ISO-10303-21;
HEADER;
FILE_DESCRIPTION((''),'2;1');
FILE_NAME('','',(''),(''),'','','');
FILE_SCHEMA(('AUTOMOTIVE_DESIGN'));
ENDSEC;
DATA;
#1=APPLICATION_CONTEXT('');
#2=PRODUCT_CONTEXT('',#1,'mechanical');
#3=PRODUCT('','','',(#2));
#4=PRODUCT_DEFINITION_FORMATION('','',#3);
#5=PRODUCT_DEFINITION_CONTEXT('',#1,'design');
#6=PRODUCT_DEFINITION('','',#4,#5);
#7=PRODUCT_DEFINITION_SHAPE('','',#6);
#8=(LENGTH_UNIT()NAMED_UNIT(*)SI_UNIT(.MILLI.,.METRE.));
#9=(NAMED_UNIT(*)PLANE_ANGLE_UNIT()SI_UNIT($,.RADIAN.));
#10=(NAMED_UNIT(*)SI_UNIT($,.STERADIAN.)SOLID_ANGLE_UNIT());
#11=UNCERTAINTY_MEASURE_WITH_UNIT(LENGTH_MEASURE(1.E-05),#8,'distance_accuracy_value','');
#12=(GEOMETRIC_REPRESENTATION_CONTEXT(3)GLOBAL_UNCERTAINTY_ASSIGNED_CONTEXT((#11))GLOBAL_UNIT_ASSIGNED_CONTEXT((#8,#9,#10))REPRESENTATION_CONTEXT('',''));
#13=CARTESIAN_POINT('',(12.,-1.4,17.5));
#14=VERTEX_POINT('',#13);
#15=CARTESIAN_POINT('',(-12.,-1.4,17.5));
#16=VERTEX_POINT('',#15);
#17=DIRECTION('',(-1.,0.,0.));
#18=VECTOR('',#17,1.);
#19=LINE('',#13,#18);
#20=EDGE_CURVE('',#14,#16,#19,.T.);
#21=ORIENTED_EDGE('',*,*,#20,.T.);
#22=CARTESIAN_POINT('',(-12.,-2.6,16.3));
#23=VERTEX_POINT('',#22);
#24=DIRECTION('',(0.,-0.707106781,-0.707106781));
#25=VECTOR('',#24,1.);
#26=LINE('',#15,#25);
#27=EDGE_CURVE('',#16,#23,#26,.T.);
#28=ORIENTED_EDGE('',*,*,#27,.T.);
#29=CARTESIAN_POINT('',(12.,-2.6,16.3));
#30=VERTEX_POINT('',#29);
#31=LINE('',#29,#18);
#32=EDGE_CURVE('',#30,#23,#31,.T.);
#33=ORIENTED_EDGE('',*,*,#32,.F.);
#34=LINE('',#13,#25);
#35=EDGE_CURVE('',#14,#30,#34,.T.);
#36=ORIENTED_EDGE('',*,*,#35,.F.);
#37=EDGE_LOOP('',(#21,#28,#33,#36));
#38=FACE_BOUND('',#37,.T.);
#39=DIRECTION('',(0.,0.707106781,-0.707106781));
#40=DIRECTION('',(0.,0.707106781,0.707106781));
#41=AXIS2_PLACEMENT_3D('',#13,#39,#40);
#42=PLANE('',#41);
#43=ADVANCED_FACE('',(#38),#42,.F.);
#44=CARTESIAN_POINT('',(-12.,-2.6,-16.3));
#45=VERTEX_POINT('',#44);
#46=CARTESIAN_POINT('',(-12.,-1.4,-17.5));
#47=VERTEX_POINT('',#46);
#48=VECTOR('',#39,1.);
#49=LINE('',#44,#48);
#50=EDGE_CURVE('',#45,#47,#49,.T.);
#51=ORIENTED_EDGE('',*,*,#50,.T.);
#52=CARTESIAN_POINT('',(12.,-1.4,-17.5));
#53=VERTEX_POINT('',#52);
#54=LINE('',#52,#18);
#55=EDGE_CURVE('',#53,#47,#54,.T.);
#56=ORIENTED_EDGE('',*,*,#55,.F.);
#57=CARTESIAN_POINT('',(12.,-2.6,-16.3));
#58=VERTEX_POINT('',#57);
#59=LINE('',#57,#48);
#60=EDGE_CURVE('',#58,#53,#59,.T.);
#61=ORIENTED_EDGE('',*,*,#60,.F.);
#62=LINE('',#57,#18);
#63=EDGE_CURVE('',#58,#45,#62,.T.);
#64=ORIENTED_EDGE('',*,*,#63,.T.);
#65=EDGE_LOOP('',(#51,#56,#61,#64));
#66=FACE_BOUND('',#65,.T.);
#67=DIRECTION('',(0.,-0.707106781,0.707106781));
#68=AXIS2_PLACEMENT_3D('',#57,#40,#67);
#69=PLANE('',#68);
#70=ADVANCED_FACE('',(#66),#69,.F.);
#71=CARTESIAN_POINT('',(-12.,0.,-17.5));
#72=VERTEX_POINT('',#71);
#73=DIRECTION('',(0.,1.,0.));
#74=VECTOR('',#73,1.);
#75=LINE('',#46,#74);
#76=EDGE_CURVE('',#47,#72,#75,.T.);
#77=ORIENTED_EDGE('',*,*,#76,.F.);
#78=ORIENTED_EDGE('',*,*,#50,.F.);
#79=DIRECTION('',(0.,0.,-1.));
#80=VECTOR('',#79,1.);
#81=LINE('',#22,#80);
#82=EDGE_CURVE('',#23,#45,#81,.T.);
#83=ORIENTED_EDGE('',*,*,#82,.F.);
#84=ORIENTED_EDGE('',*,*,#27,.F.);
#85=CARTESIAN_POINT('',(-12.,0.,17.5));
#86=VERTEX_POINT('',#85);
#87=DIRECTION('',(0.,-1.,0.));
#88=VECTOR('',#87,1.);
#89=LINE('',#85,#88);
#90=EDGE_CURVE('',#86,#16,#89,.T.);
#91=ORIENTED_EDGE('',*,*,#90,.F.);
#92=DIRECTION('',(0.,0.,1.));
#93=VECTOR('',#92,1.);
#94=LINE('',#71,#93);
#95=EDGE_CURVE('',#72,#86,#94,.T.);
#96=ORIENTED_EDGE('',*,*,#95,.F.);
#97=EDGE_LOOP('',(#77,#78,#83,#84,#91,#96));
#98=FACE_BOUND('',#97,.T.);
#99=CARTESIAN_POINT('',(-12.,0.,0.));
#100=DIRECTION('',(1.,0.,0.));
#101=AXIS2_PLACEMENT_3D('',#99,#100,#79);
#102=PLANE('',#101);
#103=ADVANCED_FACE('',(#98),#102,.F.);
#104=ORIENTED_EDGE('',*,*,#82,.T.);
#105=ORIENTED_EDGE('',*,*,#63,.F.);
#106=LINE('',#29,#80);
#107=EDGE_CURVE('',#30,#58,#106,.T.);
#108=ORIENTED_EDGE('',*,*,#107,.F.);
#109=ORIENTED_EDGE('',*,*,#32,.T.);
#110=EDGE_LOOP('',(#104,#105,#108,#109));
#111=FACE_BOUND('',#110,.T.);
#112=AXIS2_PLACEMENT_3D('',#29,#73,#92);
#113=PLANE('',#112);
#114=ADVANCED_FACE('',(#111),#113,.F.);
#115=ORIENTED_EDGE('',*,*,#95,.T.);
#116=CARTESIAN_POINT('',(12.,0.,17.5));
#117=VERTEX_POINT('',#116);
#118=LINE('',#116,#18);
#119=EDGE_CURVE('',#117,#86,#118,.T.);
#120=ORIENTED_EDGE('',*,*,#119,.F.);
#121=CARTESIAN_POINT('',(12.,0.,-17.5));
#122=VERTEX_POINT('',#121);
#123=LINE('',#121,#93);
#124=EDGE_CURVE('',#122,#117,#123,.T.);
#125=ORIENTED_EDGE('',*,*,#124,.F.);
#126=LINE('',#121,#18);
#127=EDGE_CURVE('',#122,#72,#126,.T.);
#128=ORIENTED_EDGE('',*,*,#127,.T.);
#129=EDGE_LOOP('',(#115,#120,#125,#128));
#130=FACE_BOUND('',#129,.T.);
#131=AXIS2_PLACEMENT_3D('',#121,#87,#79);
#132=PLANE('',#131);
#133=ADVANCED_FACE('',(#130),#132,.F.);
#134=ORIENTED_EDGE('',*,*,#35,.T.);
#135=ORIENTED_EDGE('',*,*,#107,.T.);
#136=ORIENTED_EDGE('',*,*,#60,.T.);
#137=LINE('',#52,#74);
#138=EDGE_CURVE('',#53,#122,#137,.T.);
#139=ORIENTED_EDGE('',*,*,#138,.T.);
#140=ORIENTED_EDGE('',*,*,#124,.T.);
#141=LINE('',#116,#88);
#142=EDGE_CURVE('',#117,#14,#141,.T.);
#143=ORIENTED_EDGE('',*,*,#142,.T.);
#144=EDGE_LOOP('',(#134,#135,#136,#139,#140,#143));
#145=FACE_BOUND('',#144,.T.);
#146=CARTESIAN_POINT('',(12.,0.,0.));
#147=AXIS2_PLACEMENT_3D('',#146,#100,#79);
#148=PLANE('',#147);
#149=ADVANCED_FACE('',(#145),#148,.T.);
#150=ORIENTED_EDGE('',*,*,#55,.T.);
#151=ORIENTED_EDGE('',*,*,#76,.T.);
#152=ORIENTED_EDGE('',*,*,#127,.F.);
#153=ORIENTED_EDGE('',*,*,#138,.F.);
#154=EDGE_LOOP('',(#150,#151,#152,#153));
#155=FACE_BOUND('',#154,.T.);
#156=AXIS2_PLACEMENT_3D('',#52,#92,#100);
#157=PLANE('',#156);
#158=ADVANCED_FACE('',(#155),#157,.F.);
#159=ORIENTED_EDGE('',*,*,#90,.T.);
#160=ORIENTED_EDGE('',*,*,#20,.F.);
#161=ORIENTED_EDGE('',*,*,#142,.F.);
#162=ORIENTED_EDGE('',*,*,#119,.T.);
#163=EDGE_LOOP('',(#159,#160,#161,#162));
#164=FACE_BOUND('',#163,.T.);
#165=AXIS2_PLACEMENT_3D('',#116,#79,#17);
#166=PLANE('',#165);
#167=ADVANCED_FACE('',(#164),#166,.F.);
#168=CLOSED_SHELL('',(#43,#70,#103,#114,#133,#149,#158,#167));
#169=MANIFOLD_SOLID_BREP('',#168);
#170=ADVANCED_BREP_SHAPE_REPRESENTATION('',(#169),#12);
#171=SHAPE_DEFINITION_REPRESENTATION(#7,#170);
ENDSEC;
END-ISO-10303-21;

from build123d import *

# Parameters (mm, degrees)
BOSS_EXTRUDE1_DEPTH = 12


with BuildPart() as part:
    # Sketch1 → Boss-Extrude1 (new, symmetric)
    with BuildSketch(Plane(origin=(0, 0, 0), x_dir=(0, 0, -1), z_dir=(1, 0, 0))):
        Polygon((17.5, 0), (-17.5, 0), (-17.5, -1.4), (-16.3, -2.6), (16.3, -2.6), (17.5, -1.4), align=None)
    extrude(amount=BOSS_EXTRUDE1_DEPTH, both=True)


solid = part.part
